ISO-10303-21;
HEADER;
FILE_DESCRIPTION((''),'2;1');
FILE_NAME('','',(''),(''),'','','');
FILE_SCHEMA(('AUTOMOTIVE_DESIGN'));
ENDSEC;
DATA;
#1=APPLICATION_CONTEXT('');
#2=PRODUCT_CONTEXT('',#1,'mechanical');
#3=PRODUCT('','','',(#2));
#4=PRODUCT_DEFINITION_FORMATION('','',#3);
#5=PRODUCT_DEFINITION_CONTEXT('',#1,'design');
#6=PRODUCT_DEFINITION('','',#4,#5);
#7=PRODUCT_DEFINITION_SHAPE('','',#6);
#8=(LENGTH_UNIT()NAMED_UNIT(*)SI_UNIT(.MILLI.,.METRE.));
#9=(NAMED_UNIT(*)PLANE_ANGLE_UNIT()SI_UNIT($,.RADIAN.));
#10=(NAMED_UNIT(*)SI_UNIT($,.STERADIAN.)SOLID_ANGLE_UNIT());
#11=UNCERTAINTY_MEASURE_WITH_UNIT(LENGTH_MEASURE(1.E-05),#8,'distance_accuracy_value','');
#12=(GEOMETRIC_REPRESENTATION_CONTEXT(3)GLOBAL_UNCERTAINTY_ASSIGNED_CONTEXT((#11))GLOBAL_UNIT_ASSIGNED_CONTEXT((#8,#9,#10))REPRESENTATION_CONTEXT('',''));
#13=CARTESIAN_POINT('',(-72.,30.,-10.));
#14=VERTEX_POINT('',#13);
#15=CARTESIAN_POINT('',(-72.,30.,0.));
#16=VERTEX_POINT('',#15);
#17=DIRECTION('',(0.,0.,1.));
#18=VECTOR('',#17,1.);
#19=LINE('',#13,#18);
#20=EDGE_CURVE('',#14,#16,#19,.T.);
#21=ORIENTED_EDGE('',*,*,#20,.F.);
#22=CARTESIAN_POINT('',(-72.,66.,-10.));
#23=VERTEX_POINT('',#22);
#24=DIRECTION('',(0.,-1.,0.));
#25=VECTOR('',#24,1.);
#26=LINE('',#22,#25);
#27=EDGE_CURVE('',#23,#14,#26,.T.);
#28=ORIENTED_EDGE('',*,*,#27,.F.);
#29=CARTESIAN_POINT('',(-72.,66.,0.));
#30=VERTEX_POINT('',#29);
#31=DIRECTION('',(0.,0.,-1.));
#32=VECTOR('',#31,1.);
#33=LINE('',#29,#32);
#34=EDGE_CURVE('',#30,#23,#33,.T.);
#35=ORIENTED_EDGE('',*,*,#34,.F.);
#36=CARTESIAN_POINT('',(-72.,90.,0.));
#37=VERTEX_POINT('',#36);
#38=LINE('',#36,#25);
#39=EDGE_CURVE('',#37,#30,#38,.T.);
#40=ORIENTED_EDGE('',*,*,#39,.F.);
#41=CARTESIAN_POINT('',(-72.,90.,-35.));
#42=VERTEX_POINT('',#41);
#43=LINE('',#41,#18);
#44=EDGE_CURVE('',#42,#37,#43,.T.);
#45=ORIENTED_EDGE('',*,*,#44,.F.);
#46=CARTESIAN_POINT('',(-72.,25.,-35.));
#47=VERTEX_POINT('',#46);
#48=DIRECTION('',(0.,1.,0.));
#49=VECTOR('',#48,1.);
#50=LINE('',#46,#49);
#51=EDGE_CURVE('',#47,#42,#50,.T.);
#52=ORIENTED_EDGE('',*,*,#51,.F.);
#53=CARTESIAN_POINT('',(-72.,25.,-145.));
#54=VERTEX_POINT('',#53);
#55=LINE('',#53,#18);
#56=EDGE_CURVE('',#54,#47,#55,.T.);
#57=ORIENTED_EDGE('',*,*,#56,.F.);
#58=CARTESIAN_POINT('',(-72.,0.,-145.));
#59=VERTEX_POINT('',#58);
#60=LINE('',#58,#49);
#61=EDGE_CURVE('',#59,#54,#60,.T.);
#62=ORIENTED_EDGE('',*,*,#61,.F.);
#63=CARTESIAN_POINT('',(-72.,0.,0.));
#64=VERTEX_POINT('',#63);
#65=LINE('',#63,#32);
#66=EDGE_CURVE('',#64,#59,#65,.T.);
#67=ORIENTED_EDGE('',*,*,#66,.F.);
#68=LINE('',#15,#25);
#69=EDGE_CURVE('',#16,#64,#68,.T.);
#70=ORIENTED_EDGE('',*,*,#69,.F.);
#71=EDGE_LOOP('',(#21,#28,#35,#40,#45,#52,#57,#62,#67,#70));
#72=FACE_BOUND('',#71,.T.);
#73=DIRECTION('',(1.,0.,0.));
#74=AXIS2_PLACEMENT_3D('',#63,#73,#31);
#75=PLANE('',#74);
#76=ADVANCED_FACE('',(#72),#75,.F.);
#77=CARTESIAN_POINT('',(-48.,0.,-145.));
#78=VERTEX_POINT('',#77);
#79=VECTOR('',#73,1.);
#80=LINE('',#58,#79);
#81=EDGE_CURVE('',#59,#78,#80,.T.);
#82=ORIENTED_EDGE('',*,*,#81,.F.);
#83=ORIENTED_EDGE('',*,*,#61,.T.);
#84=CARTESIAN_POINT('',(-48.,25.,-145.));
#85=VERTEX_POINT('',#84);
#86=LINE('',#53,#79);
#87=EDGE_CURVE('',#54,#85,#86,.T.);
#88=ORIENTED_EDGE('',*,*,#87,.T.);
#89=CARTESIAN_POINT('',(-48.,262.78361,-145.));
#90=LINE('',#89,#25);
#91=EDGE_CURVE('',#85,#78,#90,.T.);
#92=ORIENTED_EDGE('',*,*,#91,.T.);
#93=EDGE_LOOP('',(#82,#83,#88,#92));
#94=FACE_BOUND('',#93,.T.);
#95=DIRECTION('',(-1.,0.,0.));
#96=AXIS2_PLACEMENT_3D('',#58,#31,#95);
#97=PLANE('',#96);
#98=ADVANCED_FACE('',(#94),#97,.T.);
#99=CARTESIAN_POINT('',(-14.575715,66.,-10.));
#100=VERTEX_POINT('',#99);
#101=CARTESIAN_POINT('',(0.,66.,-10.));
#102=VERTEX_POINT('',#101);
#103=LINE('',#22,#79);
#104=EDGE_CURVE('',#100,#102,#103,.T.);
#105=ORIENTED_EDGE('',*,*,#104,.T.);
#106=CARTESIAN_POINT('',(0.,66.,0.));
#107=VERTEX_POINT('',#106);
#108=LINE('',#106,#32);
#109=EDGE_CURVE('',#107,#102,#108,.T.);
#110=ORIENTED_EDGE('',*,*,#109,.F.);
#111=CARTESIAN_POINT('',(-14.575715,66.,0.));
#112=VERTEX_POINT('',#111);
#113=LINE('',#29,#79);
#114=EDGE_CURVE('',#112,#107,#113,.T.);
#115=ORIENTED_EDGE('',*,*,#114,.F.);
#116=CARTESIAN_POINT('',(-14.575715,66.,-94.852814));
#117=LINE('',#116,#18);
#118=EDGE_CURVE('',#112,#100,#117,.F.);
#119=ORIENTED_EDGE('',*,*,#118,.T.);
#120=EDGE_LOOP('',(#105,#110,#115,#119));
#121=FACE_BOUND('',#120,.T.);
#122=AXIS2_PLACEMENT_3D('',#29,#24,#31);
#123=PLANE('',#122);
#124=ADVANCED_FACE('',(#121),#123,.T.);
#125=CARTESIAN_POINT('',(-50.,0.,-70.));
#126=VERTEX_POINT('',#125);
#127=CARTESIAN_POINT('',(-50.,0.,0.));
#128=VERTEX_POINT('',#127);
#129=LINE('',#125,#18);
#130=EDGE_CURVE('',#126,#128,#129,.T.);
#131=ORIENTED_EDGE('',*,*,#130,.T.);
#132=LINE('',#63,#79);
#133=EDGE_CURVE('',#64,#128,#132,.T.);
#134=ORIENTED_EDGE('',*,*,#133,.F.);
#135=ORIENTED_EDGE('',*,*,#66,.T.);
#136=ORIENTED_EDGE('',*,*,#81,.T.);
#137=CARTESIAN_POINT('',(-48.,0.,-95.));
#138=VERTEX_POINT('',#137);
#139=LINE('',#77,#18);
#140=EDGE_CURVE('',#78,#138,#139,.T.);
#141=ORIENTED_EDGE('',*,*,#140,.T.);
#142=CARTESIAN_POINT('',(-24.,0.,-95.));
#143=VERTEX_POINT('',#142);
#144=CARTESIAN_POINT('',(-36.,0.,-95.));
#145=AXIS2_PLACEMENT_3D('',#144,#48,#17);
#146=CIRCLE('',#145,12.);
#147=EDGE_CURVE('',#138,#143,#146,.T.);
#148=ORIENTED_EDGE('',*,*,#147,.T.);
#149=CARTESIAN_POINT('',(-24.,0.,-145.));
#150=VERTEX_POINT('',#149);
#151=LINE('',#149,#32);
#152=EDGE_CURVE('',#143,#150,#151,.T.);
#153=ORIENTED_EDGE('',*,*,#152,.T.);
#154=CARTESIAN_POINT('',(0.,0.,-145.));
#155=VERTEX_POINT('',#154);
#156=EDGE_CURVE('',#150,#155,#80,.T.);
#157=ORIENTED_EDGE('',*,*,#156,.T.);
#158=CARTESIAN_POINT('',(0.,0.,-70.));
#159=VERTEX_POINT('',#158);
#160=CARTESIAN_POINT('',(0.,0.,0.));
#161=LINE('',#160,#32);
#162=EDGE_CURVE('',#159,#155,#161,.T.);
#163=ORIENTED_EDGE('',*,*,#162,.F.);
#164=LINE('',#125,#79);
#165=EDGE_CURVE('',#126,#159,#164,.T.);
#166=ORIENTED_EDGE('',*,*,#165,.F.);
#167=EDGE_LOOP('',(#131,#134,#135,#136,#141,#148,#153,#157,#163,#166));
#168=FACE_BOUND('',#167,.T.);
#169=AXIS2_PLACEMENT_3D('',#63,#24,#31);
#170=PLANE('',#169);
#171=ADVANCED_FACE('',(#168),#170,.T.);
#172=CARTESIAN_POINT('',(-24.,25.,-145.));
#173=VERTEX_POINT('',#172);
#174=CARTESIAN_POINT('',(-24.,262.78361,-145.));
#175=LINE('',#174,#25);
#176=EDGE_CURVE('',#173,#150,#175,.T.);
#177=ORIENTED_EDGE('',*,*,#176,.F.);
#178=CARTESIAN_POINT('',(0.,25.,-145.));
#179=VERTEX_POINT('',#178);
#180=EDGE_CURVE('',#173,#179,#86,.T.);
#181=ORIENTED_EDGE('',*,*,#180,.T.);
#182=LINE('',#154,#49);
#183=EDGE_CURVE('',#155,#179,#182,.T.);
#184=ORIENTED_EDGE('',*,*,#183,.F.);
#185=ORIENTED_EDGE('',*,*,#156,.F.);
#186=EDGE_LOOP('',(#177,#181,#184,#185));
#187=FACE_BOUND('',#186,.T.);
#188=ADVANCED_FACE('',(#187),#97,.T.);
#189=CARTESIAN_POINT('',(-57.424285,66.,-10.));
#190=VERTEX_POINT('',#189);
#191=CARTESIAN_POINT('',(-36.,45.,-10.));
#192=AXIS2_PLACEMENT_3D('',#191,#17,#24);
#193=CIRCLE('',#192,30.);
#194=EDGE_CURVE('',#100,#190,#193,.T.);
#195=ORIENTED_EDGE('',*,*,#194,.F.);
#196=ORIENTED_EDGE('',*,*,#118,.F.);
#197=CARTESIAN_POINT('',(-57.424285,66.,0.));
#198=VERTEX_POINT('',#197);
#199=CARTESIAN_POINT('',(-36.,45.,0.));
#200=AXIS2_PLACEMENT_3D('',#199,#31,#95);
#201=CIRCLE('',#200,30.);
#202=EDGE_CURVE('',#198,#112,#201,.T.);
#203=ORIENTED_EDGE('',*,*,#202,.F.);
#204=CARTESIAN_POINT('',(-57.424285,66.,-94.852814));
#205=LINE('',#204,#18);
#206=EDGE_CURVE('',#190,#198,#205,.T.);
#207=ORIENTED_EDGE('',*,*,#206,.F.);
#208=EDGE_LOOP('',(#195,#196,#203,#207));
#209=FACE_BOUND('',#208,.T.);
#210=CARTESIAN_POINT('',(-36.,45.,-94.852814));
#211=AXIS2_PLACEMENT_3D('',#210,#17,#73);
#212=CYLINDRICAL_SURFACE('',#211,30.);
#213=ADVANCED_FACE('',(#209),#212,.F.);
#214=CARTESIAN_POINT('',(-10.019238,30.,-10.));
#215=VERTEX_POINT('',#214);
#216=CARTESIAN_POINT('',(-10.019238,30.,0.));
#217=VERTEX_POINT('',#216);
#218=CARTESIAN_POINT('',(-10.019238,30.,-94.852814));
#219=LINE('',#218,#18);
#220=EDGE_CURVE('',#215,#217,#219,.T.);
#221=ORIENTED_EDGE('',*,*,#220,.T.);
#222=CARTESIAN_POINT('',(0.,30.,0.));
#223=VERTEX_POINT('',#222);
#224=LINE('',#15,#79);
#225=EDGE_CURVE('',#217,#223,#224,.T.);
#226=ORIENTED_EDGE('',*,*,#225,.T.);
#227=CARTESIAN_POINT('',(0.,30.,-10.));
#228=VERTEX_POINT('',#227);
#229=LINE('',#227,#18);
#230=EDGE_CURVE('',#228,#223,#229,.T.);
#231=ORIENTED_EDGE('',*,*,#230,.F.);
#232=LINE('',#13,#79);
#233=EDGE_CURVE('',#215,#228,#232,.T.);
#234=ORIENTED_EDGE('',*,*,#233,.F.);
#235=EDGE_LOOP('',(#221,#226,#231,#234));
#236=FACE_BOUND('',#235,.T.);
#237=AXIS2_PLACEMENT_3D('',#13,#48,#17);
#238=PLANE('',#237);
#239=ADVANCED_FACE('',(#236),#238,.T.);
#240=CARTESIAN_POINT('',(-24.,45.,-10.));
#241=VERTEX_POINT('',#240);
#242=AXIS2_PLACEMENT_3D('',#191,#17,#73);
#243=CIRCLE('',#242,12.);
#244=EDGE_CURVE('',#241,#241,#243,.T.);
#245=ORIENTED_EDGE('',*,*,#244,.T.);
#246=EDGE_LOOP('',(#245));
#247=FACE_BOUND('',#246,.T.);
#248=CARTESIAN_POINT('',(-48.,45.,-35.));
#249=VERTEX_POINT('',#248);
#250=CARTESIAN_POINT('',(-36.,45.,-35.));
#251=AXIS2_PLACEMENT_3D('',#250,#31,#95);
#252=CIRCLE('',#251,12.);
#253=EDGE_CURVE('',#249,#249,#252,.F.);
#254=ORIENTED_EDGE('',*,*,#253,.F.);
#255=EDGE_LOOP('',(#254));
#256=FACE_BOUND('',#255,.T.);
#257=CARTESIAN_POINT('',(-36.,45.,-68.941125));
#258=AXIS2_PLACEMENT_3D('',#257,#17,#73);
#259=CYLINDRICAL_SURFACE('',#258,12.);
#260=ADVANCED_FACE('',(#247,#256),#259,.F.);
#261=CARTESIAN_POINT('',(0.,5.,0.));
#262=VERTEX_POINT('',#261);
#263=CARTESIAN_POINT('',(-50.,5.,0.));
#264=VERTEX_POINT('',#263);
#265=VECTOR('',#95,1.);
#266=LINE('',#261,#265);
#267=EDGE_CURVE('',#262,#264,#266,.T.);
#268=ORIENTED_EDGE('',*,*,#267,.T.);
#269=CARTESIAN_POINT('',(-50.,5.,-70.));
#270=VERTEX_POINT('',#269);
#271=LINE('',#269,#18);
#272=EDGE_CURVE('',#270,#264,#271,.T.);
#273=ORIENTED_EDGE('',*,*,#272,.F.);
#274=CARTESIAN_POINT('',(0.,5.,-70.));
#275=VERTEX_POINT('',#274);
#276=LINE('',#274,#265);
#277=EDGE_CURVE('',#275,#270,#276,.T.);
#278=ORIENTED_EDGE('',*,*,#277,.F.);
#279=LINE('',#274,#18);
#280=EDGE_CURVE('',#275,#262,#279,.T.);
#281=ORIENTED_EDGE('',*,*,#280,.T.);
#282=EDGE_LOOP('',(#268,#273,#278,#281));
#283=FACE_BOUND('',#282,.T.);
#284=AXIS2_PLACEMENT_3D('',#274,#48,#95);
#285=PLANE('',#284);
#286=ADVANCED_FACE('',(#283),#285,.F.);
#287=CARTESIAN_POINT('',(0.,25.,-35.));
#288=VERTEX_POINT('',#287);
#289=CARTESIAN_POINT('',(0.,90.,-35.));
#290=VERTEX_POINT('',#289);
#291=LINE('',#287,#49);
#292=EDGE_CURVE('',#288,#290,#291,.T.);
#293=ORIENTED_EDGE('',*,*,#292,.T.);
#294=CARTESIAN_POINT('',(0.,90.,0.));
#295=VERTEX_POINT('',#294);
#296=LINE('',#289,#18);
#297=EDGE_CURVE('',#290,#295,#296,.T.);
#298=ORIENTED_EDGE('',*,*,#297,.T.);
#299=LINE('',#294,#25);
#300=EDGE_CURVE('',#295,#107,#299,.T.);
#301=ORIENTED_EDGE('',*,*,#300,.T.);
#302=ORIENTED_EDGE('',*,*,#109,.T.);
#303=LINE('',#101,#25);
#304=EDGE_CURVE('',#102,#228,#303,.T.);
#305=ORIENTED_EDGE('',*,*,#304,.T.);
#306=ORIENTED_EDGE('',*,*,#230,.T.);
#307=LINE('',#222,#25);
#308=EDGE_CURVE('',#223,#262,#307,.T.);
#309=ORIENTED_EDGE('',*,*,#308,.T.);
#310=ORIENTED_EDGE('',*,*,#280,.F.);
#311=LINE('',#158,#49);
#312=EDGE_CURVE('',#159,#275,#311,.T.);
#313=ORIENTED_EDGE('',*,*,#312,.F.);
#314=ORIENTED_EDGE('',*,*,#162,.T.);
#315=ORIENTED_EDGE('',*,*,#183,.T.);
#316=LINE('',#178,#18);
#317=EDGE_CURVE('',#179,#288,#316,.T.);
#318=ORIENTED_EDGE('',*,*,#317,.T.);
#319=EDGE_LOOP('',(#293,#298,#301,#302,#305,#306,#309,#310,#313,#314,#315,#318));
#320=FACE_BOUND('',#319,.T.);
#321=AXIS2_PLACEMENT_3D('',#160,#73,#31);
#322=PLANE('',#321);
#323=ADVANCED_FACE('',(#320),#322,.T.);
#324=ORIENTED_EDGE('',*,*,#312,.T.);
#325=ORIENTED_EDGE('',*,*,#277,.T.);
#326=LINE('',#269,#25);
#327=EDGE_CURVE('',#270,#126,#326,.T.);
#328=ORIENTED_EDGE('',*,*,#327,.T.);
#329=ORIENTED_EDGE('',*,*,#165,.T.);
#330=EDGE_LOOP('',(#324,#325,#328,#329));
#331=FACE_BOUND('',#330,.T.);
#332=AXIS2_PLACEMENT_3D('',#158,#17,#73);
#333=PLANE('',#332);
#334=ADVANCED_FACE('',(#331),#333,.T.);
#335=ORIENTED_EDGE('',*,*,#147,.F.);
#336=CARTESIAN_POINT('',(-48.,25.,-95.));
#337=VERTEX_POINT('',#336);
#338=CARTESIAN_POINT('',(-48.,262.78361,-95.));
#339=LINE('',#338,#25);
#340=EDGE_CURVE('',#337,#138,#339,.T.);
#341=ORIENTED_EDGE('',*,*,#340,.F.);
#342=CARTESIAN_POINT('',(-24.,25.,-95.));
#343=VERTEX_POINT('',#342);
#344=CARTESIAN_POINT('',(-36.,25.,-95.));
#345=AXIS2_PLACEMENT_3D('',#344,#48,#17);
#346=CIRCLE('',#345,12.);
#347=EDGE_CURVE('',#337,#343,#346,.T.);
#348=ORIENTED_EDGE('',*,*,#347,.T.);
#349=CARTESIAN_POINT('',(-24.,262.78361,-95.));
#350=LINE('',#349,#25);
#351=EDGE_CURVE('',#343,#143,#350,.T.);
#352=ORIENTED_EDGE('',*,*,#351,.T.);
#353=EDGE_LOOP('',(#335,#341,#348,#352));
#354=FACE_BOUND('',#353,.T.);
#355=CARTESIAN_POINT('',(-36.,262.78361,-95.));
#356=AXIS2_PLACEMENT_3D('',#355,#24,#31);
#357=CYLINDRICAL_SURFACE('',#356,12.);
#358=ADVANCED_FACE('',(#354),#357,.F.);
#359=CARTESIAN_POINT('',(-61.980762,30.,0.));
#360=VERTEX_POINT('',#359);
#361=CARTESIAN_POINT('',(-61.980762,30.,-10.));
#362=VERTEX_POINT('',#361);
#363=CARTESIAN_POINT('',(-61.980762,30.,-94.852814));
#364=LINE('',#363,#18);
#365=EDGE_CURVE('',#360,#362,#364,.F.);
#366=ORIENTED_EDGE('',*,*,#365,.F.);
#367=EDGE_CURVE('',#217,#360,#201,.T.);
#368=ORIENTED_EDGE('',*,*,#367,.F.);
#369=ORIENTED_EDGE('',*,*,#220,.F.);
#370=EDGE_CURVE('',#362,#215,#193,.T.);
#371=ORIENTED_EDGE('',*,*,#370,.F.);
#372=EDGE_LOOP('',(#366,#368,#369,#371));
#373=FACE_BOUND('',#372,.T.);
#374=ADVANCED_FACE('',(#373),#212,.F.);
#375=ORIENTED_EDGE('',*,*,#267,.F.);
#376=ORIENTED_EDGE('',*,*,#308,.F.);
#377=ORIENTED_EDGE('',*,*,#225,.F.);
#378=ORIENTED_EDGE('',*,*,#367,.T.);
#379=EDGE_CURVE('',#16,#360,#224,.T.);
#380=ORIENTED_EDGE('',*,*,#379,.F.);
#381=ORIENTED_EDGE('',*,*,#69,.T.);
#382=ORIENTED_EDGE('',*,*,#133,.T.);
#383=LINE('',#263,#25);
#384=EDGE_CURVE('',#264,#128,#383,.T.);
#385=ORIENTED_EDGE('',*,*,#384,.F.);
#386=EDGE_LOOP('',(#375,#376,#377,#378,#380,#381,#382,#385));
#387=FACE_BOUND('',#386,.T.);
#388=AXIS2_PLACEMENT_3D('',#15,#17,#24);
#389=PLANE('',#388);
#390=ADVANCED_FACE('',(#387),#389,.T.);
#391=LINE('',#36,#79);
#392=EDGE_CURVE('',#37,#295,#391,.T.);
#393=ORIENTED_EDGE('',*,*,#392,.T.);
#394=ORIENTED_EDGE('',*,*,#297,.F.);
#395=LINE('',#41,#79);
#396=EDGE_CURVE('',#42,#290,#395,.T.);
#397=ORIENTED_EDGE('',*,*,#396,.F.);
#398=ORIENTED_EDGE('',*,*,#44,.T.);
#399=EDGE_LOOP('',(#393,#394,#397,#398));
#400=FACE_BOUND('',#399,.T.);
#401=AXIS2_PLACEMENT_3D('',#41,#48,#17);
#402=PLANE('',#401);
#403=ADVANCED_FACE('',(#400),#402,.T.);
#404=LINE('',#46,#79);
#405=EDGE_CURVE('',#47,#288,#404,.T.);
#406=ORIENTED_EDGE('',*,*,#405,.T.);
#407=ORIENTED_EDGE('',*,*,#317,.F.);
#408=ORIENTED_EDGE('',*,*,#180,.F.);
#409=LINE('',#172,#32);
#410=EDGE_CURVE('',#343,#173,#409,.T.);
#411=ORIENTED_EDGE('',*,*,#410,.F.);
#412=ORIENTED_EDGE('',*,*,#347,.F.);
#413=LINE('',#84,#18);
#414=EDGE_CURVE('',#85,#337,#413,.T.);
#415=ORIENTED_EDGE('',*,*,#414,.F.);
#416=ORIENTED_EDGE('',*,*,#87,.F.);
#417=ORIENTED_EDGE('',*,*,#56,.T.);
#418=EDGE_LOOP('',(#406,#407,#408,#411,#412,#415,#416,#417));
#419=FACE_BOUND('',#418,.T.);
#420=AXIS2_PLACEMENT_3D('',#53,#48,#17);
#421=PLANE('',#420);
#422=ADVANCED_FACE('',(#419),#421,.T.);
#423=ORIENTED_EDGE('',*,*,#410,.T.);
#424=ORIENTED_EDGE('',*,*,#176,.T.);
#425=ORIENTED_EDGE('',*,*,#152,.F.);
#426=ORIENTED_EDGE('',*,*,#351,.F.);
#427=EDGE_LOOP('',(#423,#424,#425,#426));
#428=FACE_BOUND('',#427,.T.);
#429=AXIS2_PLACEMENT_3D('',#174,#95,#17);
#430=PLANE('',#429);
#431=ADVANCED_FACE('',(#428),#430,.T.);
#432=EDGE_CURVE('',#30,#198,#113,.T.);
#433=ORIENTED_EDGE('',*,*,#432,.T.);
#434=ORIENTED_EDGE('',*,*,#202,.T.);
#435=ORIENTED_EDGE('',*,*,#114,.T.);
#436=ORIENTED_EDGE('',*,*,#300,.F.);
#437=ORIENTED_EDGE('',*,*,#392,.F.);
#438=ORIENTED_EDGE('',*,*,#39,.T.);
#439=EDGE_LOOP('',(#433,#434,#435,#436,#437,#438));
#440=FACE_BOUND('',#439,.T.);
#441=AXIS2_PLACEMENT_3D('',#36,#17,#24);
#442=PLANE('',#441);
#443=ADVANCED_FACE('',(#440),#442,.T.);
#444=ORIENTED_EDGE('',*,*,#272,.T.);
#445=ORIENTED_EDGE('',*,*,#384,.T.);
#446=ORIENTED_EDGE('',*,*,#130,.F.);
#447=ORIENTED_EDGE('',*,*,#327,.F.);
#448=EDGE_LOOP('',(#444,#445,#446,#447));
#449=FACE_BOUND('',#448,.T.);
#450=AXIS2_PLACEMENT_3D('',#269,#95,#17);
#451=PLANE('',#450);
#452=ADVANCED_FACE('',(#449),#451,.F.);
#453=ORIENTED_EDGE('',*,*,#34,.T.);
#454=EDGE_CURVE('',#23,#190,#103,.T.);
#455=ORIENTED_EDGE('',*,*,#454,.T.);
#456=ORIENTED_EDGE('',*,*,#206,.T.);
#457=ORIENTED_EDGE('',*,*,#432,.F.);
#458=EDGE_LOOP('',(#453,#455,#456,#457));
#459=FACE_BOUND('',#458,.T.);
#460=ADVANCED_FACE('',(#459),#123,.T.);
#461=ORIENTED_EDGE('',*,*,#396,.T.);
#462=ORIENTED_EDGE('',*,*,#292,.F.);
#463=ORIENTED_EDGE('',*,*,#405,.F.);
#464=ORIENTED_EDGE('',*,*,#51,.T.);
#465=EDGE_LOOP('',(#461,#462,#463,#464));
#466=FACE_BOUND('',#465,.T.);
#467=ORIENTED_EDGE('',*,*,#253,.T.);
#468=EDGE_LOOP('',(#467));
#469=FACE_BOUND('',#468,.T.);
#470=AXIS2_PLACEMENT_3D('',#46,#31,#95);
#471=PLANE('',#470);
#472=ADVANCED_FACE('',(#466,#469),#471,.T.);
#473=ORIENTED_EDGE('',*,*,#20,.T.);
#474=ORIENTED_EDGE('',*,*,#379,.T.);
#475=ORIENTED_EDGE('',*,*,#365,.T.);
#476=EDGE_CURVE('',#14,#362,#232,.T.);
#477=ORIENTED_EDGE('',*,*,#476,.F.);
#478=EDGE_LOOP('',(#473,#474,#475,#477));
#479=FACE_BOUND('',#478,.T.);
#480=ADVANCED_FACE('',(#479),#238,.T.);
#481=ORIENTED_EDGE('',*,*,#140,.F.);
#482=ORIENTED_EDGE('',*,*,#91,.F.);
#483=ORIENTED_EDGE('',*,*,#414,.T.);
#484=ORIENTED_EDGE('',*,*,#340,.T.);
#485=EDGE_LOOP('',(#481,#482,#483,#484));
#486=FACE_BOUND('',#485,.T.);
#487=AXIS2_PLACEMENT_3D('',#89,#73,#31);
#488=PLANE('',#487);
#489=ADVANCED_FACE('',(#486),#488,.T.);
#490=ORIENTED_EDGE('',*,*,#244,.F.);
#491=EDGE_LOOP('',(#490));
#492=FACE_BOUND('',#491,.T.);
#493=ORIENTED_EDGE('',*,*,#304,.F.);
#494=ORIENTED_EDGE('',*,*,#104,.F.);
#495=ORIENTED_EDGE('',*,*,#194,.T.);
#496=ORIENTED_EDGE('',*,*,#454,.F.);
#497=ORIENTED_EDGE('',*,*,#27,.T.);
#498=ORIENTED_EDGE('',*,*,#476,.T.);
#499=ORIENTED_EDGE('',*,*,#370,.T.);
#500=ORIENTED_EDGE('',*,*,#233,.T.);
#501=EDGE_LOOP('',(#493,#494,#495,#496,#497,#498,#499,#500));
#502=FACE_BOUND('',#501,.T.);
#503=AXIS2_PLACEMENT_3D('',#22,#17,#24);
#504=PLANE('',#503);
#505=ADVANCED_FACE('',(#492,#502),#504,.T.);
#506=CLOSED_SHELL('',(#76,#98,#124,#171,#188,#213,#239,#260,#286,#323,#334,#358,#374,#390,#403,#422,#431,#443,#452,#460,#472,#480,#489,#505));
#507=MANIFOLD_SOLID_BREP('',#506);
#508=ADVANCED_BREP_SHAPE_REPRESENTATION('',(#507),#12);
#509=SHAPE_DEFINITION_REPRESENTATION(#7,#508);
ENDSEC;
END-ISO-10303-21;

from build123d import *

# Parameters (mm, degrees)
BOSS_EXTRUDE1_DEPTH     = 72
CUT_EXTRUDE1_DEPTH      = 175.453432182
CUT_EXTRUDE1_DEPTH_BACK = 25
SKETCH3_R               = 30
CUT_EXTRUDE2_DEPTH      = 10
SKETCH4_R               = 12
CUT_EXTRUDE3_DEPTH      = 25
SKETCH5_W               = 50
SKETCH5_H               = 5
CUT_EXTRUDE4_DEPTH      = 70


with BuildPart() as part:
    # Sketch1 → Boss-Extrude1 (new body)
    with BuildSketch(Plane(origin=(0, 0, 0), x_dir=(0, 0, -1), z_dir=(1, 0, 0))):
        Polygon((0, 0), (145, 0), (145, 25), (35, 25), (35, 90), (0, 90), (0, 66), (10, 66), (10, 30), (0, 30), align=None)
    extrude(amount=-BOSS_EXTRUDE1_DEPTH)

    # Sketch2 → Cut-Extrude1 (cut, two sides: drawn at the far end of the back side and taken through both)
    with BuildSketch(Plane(origin=(0, 25, 0), x_dir=(1, 0, 0), z_dir=(0, 1, 0)).offset(-CUT_EXTRUDE1_DEPTH_BACK)):
        with BuildLine():
            Line((-24, 95), (-24, 145))
            Line((-24, 145), (-48, 145))
            Line((-48, 145), (-48, 95))
            ThreePointArc((-48, 95), (-36, 83), (-24, 95))
        make_face()
    extrude(amount=CUT_EXTRUDE1_DEPTH + CUT_EXTRUDE1_DEPTH_BACK, mode=Mode.SUBTRACT)

    # Sketch3 → Cut-Extrude2 (cut)
    with BuildSketch(Plane(origin=(0, 0, 0), x_dir=(-1, 0, 0), z_dir=(0, 0, -1))):
        with Locations((36, 45)):
            Circle(SKETCH3_R)
    extrude(amount=CUT_EXTRUDE2_DEPTH, mode=Mode.SUBTRACT)

    # Sketch4 → Cut-Extrude3 (cut)
    with BuildSketch(Plane.XY.offset(-10)):
        with Locations((-36, 45)):
            Circle(SKETCH4_R)
    extrude(amount=-CUT_EXTRUDE3_DEPTH, mode=Mode.SUBTRACT)

    # Sketch5 → Cut-Extrude4 (cut)
    with BuildSketch(Plane.XY):
        with Locations((-25, 2.5)):
            Rectangle(SKETCH5_W, SKETCH5_H)
    extrude(amount=-CUT_EXTRUDE4_DEPTH, mode=Mode.SUBTRACT)


solid = part.part
